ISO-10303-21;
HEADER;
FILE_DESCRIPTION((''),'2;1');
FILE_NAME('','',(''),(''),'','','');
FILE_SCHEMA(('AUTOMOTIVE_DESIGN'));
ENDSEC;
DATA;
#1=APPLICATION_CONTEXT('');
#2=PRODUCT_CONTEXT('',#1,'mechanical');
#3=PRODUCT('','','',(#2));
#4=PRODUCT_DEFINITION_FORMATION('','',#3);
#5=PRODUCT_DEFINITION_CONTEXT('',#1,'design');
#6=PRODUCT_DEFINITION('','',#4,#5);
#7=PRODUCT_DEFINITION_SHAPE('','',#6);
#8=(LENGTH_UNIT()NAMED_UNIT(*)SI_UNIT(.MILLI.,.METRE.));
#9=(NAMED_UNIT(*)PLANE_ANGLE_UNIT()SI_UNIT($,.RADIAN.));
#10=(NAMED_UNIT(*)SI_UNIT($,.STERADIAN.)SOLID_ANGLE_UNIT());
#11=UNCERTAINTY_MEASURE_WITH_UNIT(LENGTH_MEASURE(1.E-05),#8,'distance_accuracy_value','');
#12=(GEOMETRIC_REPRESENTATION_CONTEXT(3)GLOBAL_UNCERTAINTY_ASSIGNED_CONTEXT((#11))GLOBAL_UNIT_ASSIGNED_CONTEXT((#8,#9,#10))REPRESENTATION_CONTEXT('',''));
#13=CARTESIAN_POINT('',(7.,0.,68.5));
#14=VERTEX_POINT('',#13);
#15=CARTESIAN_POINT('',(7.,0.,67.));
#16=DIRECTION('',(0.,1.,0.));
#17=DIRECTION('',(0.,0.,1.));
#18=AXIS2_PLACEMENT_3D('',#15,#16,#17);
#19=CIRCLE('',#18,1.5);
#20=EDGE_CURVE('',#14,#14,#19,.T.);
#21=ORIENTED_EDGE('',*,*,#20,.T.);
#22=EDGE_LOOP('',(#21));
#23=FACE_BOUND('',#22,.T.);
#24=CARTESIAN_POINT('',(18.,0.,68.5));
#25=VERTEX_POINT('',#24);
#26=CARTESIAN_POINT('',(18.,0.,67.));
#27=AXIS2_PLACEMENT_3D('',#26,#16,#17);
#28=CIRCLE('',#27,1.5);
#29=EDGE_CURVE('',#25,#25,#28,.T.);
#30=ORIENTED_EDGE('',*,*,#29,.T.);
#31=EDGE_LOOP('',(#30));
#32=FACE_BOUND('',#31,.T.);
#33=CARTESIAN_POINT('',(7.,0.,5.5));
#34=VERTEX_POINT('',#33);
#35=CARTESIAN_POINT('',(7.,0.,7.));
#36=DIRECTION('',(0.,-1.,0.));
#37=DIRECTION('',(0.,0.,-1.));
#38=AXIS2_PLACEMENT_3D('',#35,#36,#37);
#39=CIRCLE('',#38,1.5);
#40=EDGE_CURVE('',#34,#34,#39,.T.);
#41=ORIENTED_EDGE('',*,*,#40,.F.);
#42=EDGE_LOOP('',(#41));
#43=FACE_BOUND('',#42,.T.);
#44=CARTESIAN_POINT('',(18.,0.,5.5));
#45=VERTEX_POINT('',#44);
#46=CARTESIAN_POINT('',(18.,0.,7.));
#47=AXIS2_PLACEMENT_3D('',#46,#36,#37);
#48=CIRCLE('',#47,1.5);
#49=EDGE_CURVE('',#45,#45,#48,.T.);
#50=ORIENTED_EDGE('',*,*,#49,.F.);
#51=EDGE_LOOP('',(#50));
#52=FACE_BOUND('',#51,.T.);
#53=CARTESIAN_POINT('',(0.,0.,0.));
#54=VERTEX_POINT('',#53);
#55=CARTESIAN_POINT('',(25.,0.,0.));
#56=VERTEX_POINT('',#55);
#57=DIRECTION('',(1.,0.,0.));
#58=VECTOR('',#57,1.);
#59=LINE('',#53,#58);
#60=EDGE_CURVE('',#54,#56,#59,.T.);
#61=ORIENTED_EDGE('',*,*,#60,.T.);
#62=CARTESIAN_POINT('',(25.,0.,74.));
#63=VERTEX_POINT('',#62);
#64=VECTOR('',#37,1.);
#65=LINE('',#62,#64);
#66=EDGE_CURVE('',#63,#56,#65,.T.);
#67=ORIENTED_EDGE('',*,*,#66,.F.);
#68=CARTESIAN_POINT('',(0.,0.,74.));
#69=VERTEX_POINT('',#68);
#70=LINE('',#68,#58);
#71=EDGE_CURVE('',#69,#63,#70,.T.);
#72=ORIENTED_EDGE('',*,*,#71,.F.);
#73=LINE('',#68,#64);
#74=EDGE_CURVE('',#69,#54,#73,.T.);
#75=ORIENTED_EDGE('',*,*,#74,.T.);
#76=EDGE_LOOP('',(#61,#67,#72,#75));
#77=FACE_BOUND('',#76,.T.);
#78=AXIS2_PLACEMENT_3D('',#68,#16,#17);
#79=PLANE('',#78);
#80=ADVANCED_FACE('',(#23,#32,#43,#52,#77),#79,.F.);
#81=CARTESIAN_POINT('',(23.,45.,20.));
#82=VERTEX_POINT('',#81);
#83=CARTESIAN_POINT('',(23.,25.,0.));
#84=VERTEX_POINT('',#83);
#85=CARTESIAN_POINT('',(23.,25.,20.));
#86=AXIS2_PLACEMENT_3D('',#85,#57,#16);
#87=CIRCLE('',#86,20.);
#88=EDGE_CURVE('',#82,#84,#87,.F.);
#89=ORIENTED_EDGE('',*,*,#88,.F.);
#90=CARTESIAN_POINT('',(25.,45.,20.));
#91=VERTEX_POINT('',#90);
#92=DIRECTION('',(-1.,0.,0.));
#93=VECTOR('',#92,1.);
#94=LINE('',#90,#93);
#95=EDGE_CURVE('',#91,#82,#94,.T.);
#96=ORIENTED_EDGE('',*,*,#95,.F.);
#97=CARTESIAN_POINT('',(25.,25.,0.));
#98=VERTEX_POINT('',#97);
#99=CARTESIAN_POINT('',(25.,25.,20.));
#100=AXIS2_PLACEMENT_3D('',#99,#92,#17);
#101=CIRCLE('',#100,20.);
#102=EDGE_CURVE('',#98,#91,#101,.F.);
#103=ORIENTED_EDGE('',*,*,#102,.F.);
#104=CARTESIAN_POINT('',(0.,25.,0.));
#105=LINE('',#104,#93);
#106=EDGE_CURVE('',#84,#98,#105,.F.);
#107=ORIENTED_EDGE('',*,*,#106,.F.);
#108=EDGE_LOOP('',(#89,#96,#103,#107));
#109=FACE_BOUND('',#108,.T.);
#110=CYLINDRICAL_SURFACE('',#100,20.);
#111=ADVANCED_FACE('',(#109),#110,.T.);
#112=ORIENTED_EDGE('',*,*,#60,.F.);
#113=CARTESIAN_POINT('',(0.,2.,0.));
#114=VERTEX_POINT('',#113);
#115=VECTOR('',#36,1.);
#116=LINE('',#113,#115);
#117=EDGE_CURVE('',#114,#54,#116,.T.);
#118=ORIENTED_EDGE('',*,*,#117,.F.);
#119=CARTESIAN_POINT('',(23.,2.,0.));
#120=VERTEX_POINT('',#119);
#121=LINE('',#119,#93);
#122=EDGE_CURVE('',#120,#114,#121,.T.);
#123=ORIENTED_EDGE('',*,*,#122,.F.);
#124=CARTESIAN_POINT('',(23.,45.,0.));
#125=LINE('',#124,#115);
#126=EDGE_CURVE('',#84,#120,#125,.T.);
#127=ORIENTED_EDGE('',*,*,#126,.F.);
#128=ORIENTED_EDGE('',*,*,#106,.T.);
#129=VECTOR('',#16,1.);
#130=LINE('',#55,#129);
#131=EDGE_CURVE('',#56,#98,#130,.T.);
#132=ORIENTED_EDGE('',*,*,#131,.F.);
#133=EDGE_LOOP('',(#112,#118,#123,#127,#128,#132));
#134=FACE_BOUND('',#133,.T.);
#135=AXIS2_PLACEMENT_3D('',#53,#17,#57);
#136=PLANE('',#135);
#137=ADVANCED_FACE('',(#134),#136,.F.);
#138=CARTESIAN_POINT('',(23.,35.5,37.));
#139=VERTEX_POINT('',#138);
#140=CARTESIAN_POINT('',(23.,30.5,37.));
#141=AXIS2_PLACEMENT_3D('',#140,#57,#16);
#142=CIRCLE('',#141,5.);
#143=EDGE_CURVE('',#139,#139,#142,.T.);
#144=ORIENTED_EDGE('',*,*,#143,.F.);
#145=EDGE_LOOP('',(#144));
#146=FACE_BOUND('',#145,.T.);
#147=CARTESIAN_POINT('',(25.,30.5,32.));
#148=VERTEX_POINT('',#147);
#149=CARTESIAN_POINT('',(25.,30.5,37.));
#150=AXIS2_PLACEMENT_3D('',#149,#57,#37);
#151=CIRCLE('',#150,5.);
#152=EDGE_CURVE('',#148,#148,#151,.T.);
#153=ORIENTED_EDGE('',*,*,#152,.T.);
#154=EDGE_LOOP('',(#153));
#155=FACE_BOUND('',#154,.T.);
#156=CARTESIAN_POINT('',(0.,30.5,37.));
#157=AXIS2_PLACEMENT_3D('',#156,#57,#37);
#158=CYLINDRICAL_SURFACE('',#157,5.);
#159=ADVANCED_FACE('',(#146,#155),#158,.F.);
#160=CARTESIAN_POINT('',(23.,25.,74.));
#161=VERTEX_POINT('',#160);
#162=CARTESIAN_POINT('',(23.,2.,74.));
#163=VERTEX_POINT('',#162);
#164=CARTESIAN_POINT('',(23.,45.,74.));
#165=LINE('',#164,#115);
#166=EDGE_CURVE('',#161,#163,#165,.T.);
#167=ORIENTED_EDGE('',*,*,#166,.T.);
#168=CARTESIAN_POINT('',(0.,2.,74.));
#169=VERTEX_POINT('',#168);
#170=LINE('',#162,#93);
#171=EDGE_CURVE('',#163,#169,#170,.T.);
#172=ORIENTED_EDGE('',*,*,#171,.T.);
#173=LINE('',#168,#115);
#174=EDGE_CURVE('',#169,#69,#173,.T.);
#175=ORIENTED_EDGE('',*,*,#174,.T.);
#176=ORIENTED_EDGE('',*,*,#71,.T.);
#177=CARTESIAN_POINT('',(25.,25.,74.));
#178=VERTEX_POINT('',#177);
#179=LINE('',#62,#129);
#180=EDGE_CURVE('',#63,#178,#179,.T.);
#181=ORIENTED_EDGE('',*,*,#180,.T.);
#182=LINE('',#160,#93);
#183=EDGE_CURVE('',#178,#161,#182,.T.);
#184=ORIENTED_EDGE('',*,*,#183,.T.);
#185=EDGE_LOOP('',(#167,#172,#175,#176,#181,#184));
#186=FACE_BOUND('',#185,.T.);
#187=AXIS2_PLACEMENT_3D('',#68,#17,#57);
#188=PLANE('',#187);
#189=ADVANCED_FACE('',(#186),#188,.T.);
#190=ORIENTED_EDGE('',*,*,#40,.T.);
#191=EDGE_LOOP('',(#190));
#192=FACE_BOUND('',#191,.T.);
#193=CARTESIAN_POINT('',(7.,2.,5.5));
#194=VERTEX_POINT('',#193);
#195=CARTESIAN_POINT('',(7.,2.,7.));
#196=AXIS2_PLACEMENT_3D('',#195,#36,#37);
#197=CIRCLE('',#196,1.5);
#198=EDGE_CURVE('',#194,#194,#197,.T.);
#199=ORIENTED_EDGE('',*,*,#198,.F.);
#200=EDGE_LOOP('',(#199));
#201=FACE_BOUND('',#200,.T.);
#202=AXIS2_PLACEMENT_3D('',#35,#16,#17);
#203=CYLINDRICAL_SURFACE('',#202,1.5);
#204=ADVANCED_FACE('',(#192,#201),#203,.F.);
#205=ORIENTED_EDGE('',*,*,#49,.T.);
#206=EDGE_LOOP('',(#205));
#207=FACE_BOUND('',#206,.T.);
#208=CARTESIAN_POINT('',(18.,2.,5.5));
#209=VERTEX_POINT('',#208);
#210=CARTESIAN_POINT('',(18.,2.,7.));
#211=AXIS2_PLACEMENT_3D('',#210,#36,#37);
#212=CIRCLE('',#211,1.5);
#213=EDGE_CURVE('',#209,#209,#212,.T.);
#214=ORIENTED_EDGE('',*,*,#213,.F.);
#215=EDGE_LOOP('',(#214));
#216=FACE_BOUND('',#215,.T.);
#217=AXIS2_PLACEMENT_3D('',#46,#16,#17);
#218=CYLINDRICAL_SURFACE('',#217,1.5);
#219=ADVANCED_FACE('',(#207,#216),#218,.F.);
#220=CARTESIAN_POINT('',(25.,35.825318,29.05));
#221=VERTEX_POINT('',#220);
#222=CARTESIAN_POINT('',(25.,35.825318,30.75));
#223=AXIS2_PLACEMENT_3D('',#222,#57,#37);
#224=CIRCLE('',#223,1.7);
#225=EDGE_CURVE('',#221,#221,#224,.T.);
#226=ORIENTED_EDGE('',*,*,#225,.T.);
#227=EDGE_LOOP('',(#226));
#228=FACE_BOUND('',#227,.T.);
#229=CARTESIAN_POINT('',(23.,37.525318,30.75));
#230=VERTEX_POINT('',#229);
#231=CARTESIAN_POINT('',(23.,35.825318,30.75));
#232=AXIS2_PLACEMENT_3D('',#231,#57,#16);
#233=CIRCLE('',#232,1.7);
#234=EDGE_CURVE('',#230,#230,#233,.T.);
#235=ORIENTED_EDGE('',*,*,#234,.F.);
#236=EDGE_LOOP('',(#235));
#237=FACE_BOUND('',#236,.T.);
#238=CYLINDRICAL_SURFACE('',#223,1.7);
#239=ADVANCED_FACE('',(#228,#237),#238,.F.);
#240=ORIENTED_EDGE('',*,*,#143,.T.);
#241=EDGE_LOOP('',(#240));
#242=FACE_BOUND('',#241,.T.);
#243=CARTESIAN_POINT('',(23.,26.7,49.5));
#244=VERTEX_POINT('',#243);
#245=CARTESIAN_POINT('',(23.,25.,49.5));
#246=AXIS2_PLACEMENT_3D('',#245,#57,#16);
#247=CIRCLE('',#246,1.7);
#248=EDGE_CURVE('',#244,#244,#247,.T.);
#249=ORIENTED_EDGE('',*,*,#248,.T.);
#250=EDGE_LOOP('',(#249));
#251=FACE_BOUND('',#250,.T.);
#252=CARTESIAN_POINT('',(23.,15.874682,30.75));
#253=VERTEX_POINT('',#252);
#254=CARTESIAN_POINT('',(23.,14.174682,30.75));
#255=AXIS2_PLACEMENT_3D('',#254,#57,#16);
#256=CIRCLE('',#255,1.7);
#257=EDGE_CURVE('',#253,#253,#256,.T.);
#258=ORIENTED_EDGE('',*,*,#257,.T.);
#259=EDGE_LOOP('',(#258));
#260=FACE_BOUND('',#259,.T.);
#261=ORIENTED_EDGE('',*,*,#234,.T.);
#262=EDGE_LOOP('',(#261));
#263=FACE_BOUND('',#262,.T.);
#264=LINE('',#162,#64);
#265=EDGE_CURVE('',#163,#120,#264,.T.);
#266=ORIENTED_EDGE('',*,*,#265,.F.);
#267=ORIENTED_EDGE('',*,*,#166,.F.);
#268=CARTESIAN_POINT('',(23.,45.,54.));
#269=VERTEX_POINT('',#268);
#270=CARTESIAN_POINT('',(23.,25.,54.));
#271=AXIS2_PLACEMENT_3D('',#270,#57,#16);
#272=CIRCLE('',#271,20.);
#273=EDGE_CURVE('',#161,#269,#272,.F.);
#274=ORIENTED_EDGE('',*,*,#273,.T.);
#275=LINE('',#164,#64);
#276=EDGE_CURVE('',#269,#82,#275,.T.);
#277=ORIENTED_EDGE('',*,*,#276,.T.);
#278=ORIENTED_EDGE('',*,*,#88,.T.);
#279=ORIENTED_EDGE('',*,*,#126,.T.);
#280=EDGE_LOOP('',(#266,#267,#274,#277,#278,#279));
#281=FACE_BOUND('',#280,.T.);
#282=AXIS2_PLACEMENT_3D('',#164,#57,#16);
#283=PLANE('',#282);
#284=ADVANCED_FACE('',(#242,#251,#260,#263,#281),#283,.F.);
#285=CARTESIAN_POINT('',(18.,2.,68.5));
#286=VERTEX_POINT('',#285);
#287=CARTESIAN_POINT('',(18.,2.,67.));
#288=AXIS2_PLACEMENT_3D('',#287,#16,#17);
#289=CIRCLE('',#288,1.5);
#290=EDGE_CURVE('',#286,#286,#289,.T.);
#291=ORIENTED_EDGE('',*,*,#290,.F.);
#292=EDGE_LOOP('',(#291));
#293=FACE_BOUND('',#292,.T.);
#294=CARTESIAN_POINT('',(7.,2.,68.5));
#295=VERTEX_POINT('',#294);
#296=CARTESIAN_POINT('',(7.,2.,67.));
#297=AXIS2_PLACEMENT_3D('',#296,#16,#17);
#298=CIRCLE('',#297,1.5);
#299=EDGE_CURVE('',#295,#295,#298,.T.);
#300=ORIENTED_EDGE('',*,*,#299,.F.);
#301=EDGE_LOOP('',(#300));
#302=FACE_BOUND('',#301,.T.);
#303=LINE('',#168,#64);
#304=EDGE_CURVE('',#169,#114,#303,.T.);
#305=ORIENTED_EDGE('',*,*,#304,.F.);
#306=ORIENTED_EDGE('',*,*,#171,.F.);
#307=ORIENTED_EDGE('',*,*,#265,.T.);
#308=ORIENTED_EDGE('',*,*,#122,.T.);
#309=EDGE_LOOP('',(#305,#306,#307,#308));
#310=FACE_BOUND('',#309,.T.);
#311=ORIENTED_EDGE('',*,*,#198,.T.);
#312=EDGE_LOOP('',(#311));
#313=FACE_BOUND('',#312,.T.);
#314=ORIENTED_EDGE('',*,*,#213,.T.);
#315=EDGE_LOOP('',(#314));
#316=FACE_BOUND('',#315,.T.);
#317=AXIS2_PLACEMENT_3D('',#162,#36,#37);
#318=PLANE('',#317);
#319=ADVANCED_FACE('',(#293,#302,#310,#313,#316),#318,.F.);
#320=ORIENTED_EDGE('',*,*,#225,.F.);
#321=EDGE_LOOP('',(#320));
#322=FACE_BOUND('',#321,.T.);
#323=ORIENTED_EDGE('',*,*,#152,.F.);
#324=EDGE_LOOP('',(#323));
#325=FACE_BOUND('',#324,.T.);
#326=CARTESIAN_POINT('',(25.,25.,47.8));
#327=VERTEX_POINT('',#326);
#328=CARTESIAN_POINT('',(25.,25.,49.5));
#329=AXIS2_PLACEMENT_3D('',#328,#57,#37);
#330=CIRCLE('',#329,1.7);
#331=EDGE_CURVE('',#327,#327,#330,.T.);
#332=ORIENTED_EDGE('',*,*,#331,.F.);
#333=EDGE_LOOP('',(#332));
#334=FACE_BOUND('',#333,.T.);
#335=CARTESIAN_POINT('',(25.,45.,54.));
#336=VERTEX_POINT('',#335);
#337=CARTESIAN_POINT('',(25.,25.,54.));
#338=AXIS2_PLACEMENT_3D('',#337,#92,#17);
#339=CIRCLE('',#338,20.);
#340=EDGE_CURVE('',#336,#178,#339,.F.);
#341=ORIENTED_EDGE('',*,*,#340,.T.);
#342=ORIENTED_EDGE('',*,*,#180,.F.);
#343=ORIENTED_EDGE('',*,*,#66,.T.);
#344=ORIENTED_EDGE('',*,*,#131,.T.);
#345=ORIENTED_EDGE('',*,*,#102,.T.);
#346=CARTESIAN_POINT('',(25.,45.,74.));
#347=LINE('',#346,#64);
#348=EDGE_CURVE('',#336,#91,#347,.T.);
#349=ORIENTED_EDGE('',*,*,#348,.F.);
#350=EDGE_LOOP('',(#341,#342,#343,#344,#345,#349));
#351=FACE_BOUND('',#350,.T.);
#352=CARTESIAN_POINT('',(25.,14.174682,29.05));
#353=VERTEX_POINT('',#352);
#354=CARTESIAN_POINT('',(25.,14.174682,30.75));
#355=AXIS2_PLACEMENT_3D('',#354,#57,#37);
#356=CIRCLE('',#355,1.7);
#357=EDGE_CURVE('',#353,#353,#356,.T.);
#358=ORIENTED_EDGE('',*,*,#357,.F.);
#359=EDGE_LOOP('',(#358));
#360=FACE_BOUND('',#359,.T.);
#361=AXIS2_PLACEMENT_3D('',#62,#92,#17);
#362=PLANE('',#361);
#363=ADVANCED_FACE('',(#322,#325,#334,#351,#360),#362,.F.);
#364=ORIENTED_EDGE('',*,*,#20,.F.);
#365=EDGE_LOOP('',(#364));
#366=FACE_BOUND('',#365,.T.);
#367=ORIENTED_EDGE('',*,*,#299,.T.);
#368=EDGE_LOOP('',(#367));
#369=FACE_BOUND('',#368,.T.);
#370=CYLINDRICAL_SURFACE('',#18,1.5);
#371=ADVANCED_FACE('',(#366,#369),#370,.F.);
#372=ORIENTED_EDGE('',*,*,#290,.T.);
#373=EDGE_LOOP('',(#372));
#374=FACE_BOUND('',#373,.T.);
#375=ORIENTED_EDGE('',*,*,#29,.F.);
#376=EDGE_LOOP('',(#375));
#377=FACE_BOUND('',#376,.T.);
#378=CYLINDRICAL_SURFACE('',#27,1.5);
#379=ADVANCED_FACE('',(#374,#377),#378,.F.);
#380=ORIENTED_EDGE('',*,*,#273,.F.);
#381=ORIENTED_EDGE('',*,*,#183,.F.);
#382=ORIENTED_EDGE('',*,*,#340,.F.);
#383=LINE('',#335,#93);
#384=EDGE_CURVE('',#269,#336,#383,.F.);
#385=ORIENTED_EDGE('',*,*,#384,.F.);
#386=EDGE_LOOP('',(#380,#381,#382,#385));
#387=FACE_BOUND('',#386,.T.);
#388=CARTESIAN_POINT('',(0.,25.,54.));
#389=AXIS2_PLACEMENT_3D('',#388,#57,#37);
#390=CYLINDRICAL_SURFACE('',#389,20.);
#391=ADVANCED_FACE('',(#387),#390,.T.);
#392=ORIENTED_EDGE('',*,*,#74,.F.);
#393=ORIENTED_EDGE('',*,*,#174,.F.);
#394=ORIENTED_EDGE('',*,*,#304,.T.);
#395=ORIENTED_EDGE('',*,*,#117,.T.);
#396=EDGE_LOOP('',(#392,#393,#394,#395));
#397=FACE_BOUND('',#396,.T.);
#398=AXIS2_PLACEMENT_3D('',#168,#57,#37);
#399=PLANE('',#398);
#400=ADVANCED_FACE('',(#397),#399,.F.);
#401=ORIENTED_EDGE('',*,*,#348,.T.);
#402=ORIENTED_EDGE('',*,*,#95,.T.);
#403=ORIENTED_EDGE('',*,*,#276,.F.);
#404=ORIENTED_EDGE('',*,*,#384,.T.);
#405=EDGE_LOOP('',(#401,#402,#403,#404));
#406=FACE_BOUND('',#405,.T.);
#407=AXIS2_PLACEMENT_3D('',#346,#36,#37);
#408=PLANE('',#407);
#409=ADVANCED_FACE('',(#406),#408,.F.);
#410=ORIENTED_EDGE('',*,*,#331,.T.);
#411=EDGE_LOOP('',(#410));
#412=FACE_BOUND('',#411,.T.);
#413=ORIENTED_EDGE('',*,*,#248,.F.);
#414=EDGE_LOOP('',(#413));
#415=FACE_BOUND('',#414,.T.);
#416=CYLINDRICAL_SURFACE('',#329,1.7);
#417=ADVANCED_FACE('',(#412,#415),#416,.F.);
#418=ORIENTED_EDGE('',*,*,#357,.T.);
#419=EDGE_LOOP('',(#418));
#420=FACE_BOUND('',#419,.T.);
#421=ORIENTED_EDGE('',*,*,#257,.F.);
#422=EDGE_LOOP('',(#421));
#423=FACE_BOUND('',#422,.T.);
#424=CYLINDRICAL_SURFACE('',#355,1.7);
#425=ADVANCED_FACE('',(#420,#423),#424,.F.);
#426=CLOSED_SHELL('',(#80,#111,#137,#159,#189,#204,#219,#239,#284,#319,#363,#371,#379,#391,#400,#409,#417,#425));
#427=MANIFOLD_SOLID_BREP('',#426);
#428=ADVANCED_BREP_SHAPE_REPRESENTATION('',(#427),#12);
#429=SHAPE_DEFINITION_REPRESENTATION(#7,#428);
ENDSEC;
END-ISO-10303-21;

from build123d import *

# Parameters (mm, degrees)
BOSS_EXTRUDE3_DEPTH  = 74
SKETCH5_R            = 5
CUT_EXTRUDE1_DEPTH   = 91.144328718
M3_CLEARANCE_HOLE2_D = 3.4
SKETCH11_R           = 1.5
CUT_EXTRUDE2_DEPTH   = 90.162772501
FILLET1_R            = 20


with BuildPart() as part:
    # Sketch4 → Boss-Extrude3 (new body)
    with BuildSketch(Plane.XY):
        Polygon((0, 0), (25, 0), (25, 45), (23, 45), (23, 2), (0, 2), align=None)
    extrude(amount=BOSS_EXTRUDE3_DEPTH)

    # Sketch5 → Cut-Extrude1 (cut, through all)
    with BuildSketch(Plane(origin=(25, 0, 0), x_dir=(0, 0, -1), z_dir=(1, 0, 0))):
        with Locations((-37, 30.5)):
            Circle(SKETCH5_R)
    extrude(amount=-CUT_EXTRUDE1_DEPTH, mode=Mode.SUBTRACT)

    # M3 Clearance Hole2 (through all)
    with Locations(Plane(origin=(25, 0, 0), x_dir=(0, 0, -1), z_dir=(1, 0, 0))):
        with Locations((-30.75, 14.174682453), (-30.75, 35.825317547), (-49.5, 25)):
            Hole(M3_CLEARANCE_HOLE2_D / 2)

    # Sketch11 → Cut-Extrude2 (cut, through all)
    with BuildSketch(Plane(origin=(0, 2, 0), x_dir=(1, 0, 0), z_dir=(0, 1, 0))):
        with Locations(Location((7, -67, 0), (0, 0, 270))):
            Circle(SKETCH11_R)
        with Locations(Location((18, -67, 0), (0, 0, 270))):
            Circle(SKETCH11_R)
        with Locations(Location((18, -7, 0), (0, 0, 90))):
            Circle(SKETCH11_R)
        with Locations(Location((7, -7, 0), (0, 0, 90))):
            Circle(SKETCH11_R)
    extrude(amount=-CUT_EXTRUDE2_DEPTH, mode=Mode.SUBTRACT)

    # Fillet1
    fillet1_edges = [part.edges().sort_by_distance(p)[0] for p in [
        (24, 45, 74),
        (24, 45, 0),
    ]]
    fillet(fillet1_edges, radius=FILLET1_R)


solid = part.part
